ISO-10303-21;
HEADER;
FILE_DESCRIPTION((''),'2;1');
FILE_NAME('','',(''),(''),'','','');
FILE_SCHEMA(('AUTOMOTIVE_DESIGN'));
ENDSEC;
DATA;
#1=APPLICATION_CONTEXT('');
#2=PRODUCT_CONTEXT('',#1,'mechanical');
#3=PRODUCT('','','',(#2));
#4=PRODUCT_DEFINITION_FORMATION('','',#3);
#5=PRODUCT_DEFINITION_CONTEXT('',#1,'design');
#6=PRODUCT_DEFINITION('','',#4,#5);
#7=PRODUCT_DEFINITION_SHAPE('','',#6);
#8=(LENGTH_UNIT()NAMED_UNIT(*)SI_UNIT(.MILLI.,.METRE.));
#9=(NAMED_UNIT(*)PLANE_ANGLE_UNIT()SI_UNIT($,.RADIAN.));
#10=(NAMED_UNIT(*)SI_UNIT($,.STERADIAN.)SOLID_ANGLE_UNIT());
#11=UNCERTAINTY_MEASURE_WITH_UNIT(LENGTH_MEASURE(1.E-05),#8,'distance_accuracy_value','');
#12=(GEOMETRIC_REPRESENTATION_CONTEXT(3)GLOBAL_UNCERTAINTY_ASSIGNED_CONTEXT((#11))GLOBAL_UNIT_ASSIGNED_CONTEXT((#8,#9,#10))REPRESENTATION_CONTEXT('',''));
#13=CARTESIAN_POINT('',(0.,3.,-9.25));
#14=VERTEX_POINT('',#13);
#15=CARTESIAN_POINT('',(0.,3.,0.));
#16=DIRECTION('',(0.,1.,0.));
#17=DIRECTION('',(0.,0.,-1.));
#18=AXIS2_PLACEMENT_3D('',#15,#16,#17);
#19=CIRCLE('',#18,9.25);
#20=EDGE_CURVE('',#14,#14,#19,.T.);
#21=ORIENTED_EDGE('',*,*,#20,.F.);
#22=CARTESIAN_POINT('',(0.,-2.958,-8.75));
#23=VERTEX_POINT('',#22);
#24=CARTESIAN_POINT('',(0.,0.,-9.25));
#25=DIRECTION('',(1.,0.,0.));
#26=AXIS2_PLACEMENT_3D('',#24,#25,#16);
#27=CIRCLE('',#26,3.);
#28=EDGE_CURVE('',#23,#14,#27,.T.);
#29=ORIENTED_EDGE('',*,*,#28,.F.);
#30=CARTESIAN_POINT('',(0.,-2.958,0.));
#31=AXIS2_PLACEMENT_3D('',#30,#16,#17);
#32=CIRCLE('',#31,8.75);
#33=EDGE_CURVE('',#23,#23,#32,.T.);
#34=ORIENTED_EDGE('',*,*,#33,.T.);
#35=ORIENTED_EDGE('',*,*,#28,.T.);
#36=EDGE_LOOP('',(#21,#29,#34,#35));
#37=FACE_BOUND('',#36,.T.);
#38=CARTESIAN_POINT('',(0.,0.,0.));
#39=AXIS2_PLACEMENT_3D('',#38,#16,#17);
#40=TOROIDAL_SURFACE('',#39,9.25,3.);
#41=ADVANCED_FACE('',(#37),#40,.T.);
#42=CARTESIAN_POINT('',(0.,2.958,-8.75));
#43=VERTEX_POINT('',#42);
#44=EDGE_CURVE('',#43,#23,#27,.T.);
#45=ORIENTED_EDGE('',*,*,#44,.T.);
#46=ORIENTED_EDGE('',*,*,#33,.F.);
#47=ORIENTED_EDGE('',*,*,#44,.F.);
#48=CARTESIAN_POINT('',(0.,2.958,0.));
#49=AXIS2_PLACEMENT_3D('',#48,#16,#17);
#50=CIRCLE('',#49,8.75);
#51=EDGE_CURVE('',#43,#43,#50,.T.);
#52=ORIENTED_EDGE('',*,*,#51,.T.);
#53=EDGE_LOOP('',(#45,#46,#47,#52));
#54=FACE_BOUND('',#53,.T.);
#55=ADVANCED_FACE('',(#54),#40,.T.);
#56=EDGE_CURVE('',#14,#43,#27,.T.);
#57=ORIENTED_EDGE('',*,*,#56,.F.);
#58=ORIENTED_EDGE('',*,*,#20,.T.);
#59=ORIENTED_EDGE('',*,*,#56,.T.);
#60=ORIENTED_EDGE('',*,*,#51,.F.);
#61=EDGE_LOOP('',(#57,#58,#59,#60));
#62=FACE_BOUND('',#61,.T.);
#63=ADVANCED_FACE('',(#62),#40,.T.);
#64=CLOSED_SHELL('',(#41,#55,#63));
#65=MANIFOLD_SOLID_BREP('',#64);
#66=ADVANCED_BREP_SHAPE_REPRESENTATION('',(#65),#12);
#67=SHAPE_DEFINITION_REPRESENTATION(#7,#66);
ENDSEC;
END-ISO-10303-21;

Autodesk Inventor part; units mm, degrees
ref_plane "YZ Plane" through (0, 0, 0) normal (1, 0, 0) x (0, 1, 0)
ref_plane "XZ Plane" through (0, 0, 0) normal (0, 1, 0) x (-1, 0, 0)
ref_plane "XY Plane" through (0, 0, 0) normal (0, 0, 1) x (1, 0, 0)
sketch "Sketch1" plane through (0, 0, 0) normal (1, 0, 0) x (0, 1, 0)
  line L0 (0, -14.7) -> (0, 2.45) construction
  line L1 (-4.3993, 0) -> (4.3993, 0) construction
  circle A0 centre (0, -9.25) radius 3
  circle A1 centre (0, -9.25) radius 2
  arc A2 (2.4964, -10.3943) -> (2.958, -8.75) centre (0.986, -9.0833) ccw
  arc A3 (-2.958, -8.75) -> (-2.4964, -10.3943) centre (-0.986, -9.0833) ccw
  line L2 (2.958, -8.75) -> (-2.958, -8.75) construction
  arc A4 (-2.4964, -10.3943) -> (2.4964, -10.3943) centre (0, -8.2275) ccw
  point P0 (0, 0)
  point P1 (0, -6.25)
  point P2 (0, -12.25)
  dimension "d0" = 6
  dimension "d2" = 9.25
  dimension "d19" = 4
  dimension "d22" = 0.5
  dimension "d23" = 2
revolve "Revolution1" add sketch "Sketch1" angle 360 about axis through (0, -10, 0) along (0, 1, 0) contours A0 A3 A4 A2 | A2 A4 A3 A0 | A1
sketch "Sketch3" plane through (0, 0, 0) normal (0, 1, 0) x (-1, 0, 0)
  line L0 (16.0374, -3.8798) -> (16.0374, 3.8798)
  circle A0 centre (0, 0) radius 16.5
  line L1 (-23.1, 0) -> (23.1, 0) construction
  line L2 (0, -23.1) -> (0, 23.1) construction
  line L3 (16.0374, 3.8798) -> (-16.5, 0)
  line L4 (16.0374, -3.8798) -> (-16.5, 0)
  line L5 (11.3787, -11.9488) -> (-8.25, 14.2894)
  line L6 (4.6586, -15.8287) -> (-8.25, 14.2894)
  line L7 (-4.6586, -15.8287) -> (8.25, 14.2894)
  line L8 (-11.3787, -11.9488) -> (8.25, 14.2894)
  line L9 (-16.0374, -3.8798) -> (16.5, 0)
  line L10 (-16.0374, 3.8798) -> (16.5, 0)
  line L11 (-11.3787, 11.9488) -> (8.25, -14.2894)
  line L12 (-4.6586, 15.8287) -> (8.25, -14.2894)
  line L13 (4.6586, 15.8287) -> (-8.25, -14.2894)
  line L14 (11.3787, 11.9488) -> (-8.25, -14.2894)
  circle A1 centre (0, 0) radius 9
  line L15 (4.9209, 15.806) -> (-7.9877, -14.3121)
  line L16 (-4.9393, 15.849) -> (7.9693, -14.2691)
  point P0 (0, 4.9593)
  point P1 (-4.2949, 2.4796)
  point P2 (-11.3787, 11.9488)
  point P3 (-4.2949, -2.4796)
  point P4 (-16.0374, -3.8798)
  point P5 (-11.3787, -11.9488)
  point P6 (0, -4.9593)
  point P7 (-4.6586, -15.8287)
  point P8 (4.6586, -15.8287)
  point P9 (4.2949, 2.4796)
  point P10 (4.2949, -2.4796)
  point P11 (11.3787, -11.9488)
  point P12 (-1.2199, -2.113)
  point P13 (-1.2199, 2.113)
  point P14 (-2.4399, 0)
  point P15 (2.4399, 0)
  point P16 (1.2199, -2.113)
  point P17 (1.2199, 2.113)
  point P18 (4.2949, 2.4796)
  point P19 (0, 4.9593)
  point P20 (1.2199, 2.113)
  point P21 (-4.2949, -2.4796)
  point P22 (0, -4.9593)
  point P23 (-1.2199, -2.113)
  point P24 (-4.2949, 2.4796)
  point P25 (-1.2199, 2.113)
  point P26 (-2.4399, 0)
  point P27 (2.4399, 0)
  point P28 (4.2949, -2.4796)
  point P29 (1.2199, -2.113)
  point P30 (-6.827, -5.8645)
  point P31 (-8.4923, -2.9801)
  point P32 (1.6653, -8.8446)
  point P33 (-1.6653, -8.8446)
  point P34 (-8.4923, 2.9801)
  point P35 (-6.827, 5.8645)
  point P36 (-1.6653, 8.8446)
  point P37 (1.6653, 8.8446)
  point P38 (6.827, 5.8645)
  point P39 (8.4923, 2.9801)
  point P40 (8.4923, -2.9801)
  point P41 (6.827, -5.8645)
  point P42 (-4.8994, 15.7558)
  point P43 (-1.9155, 8.7938)
  point P44 (1.9155, 8.7938)
  point P45 (4.8994, 15.7558)
  dimension "d14" = 33
  dimension "d15" = 360
  dimension "d16" = 13.6
  dimension "d20" = 18
  dimension "d31" = 0.25
  dimension "d32" = 0.25
extrude "Extrusion2" [suppressed]
fillet "Fillet1" [suppressed]
pattern_circular "Circular Pattern1" [suppressed]
combine "Combine1" [suppressed]
fillet "Fillet2" [suppressed]
equation "\"d32\" = d31"
properties part number "ToeSilikoneRubber"
